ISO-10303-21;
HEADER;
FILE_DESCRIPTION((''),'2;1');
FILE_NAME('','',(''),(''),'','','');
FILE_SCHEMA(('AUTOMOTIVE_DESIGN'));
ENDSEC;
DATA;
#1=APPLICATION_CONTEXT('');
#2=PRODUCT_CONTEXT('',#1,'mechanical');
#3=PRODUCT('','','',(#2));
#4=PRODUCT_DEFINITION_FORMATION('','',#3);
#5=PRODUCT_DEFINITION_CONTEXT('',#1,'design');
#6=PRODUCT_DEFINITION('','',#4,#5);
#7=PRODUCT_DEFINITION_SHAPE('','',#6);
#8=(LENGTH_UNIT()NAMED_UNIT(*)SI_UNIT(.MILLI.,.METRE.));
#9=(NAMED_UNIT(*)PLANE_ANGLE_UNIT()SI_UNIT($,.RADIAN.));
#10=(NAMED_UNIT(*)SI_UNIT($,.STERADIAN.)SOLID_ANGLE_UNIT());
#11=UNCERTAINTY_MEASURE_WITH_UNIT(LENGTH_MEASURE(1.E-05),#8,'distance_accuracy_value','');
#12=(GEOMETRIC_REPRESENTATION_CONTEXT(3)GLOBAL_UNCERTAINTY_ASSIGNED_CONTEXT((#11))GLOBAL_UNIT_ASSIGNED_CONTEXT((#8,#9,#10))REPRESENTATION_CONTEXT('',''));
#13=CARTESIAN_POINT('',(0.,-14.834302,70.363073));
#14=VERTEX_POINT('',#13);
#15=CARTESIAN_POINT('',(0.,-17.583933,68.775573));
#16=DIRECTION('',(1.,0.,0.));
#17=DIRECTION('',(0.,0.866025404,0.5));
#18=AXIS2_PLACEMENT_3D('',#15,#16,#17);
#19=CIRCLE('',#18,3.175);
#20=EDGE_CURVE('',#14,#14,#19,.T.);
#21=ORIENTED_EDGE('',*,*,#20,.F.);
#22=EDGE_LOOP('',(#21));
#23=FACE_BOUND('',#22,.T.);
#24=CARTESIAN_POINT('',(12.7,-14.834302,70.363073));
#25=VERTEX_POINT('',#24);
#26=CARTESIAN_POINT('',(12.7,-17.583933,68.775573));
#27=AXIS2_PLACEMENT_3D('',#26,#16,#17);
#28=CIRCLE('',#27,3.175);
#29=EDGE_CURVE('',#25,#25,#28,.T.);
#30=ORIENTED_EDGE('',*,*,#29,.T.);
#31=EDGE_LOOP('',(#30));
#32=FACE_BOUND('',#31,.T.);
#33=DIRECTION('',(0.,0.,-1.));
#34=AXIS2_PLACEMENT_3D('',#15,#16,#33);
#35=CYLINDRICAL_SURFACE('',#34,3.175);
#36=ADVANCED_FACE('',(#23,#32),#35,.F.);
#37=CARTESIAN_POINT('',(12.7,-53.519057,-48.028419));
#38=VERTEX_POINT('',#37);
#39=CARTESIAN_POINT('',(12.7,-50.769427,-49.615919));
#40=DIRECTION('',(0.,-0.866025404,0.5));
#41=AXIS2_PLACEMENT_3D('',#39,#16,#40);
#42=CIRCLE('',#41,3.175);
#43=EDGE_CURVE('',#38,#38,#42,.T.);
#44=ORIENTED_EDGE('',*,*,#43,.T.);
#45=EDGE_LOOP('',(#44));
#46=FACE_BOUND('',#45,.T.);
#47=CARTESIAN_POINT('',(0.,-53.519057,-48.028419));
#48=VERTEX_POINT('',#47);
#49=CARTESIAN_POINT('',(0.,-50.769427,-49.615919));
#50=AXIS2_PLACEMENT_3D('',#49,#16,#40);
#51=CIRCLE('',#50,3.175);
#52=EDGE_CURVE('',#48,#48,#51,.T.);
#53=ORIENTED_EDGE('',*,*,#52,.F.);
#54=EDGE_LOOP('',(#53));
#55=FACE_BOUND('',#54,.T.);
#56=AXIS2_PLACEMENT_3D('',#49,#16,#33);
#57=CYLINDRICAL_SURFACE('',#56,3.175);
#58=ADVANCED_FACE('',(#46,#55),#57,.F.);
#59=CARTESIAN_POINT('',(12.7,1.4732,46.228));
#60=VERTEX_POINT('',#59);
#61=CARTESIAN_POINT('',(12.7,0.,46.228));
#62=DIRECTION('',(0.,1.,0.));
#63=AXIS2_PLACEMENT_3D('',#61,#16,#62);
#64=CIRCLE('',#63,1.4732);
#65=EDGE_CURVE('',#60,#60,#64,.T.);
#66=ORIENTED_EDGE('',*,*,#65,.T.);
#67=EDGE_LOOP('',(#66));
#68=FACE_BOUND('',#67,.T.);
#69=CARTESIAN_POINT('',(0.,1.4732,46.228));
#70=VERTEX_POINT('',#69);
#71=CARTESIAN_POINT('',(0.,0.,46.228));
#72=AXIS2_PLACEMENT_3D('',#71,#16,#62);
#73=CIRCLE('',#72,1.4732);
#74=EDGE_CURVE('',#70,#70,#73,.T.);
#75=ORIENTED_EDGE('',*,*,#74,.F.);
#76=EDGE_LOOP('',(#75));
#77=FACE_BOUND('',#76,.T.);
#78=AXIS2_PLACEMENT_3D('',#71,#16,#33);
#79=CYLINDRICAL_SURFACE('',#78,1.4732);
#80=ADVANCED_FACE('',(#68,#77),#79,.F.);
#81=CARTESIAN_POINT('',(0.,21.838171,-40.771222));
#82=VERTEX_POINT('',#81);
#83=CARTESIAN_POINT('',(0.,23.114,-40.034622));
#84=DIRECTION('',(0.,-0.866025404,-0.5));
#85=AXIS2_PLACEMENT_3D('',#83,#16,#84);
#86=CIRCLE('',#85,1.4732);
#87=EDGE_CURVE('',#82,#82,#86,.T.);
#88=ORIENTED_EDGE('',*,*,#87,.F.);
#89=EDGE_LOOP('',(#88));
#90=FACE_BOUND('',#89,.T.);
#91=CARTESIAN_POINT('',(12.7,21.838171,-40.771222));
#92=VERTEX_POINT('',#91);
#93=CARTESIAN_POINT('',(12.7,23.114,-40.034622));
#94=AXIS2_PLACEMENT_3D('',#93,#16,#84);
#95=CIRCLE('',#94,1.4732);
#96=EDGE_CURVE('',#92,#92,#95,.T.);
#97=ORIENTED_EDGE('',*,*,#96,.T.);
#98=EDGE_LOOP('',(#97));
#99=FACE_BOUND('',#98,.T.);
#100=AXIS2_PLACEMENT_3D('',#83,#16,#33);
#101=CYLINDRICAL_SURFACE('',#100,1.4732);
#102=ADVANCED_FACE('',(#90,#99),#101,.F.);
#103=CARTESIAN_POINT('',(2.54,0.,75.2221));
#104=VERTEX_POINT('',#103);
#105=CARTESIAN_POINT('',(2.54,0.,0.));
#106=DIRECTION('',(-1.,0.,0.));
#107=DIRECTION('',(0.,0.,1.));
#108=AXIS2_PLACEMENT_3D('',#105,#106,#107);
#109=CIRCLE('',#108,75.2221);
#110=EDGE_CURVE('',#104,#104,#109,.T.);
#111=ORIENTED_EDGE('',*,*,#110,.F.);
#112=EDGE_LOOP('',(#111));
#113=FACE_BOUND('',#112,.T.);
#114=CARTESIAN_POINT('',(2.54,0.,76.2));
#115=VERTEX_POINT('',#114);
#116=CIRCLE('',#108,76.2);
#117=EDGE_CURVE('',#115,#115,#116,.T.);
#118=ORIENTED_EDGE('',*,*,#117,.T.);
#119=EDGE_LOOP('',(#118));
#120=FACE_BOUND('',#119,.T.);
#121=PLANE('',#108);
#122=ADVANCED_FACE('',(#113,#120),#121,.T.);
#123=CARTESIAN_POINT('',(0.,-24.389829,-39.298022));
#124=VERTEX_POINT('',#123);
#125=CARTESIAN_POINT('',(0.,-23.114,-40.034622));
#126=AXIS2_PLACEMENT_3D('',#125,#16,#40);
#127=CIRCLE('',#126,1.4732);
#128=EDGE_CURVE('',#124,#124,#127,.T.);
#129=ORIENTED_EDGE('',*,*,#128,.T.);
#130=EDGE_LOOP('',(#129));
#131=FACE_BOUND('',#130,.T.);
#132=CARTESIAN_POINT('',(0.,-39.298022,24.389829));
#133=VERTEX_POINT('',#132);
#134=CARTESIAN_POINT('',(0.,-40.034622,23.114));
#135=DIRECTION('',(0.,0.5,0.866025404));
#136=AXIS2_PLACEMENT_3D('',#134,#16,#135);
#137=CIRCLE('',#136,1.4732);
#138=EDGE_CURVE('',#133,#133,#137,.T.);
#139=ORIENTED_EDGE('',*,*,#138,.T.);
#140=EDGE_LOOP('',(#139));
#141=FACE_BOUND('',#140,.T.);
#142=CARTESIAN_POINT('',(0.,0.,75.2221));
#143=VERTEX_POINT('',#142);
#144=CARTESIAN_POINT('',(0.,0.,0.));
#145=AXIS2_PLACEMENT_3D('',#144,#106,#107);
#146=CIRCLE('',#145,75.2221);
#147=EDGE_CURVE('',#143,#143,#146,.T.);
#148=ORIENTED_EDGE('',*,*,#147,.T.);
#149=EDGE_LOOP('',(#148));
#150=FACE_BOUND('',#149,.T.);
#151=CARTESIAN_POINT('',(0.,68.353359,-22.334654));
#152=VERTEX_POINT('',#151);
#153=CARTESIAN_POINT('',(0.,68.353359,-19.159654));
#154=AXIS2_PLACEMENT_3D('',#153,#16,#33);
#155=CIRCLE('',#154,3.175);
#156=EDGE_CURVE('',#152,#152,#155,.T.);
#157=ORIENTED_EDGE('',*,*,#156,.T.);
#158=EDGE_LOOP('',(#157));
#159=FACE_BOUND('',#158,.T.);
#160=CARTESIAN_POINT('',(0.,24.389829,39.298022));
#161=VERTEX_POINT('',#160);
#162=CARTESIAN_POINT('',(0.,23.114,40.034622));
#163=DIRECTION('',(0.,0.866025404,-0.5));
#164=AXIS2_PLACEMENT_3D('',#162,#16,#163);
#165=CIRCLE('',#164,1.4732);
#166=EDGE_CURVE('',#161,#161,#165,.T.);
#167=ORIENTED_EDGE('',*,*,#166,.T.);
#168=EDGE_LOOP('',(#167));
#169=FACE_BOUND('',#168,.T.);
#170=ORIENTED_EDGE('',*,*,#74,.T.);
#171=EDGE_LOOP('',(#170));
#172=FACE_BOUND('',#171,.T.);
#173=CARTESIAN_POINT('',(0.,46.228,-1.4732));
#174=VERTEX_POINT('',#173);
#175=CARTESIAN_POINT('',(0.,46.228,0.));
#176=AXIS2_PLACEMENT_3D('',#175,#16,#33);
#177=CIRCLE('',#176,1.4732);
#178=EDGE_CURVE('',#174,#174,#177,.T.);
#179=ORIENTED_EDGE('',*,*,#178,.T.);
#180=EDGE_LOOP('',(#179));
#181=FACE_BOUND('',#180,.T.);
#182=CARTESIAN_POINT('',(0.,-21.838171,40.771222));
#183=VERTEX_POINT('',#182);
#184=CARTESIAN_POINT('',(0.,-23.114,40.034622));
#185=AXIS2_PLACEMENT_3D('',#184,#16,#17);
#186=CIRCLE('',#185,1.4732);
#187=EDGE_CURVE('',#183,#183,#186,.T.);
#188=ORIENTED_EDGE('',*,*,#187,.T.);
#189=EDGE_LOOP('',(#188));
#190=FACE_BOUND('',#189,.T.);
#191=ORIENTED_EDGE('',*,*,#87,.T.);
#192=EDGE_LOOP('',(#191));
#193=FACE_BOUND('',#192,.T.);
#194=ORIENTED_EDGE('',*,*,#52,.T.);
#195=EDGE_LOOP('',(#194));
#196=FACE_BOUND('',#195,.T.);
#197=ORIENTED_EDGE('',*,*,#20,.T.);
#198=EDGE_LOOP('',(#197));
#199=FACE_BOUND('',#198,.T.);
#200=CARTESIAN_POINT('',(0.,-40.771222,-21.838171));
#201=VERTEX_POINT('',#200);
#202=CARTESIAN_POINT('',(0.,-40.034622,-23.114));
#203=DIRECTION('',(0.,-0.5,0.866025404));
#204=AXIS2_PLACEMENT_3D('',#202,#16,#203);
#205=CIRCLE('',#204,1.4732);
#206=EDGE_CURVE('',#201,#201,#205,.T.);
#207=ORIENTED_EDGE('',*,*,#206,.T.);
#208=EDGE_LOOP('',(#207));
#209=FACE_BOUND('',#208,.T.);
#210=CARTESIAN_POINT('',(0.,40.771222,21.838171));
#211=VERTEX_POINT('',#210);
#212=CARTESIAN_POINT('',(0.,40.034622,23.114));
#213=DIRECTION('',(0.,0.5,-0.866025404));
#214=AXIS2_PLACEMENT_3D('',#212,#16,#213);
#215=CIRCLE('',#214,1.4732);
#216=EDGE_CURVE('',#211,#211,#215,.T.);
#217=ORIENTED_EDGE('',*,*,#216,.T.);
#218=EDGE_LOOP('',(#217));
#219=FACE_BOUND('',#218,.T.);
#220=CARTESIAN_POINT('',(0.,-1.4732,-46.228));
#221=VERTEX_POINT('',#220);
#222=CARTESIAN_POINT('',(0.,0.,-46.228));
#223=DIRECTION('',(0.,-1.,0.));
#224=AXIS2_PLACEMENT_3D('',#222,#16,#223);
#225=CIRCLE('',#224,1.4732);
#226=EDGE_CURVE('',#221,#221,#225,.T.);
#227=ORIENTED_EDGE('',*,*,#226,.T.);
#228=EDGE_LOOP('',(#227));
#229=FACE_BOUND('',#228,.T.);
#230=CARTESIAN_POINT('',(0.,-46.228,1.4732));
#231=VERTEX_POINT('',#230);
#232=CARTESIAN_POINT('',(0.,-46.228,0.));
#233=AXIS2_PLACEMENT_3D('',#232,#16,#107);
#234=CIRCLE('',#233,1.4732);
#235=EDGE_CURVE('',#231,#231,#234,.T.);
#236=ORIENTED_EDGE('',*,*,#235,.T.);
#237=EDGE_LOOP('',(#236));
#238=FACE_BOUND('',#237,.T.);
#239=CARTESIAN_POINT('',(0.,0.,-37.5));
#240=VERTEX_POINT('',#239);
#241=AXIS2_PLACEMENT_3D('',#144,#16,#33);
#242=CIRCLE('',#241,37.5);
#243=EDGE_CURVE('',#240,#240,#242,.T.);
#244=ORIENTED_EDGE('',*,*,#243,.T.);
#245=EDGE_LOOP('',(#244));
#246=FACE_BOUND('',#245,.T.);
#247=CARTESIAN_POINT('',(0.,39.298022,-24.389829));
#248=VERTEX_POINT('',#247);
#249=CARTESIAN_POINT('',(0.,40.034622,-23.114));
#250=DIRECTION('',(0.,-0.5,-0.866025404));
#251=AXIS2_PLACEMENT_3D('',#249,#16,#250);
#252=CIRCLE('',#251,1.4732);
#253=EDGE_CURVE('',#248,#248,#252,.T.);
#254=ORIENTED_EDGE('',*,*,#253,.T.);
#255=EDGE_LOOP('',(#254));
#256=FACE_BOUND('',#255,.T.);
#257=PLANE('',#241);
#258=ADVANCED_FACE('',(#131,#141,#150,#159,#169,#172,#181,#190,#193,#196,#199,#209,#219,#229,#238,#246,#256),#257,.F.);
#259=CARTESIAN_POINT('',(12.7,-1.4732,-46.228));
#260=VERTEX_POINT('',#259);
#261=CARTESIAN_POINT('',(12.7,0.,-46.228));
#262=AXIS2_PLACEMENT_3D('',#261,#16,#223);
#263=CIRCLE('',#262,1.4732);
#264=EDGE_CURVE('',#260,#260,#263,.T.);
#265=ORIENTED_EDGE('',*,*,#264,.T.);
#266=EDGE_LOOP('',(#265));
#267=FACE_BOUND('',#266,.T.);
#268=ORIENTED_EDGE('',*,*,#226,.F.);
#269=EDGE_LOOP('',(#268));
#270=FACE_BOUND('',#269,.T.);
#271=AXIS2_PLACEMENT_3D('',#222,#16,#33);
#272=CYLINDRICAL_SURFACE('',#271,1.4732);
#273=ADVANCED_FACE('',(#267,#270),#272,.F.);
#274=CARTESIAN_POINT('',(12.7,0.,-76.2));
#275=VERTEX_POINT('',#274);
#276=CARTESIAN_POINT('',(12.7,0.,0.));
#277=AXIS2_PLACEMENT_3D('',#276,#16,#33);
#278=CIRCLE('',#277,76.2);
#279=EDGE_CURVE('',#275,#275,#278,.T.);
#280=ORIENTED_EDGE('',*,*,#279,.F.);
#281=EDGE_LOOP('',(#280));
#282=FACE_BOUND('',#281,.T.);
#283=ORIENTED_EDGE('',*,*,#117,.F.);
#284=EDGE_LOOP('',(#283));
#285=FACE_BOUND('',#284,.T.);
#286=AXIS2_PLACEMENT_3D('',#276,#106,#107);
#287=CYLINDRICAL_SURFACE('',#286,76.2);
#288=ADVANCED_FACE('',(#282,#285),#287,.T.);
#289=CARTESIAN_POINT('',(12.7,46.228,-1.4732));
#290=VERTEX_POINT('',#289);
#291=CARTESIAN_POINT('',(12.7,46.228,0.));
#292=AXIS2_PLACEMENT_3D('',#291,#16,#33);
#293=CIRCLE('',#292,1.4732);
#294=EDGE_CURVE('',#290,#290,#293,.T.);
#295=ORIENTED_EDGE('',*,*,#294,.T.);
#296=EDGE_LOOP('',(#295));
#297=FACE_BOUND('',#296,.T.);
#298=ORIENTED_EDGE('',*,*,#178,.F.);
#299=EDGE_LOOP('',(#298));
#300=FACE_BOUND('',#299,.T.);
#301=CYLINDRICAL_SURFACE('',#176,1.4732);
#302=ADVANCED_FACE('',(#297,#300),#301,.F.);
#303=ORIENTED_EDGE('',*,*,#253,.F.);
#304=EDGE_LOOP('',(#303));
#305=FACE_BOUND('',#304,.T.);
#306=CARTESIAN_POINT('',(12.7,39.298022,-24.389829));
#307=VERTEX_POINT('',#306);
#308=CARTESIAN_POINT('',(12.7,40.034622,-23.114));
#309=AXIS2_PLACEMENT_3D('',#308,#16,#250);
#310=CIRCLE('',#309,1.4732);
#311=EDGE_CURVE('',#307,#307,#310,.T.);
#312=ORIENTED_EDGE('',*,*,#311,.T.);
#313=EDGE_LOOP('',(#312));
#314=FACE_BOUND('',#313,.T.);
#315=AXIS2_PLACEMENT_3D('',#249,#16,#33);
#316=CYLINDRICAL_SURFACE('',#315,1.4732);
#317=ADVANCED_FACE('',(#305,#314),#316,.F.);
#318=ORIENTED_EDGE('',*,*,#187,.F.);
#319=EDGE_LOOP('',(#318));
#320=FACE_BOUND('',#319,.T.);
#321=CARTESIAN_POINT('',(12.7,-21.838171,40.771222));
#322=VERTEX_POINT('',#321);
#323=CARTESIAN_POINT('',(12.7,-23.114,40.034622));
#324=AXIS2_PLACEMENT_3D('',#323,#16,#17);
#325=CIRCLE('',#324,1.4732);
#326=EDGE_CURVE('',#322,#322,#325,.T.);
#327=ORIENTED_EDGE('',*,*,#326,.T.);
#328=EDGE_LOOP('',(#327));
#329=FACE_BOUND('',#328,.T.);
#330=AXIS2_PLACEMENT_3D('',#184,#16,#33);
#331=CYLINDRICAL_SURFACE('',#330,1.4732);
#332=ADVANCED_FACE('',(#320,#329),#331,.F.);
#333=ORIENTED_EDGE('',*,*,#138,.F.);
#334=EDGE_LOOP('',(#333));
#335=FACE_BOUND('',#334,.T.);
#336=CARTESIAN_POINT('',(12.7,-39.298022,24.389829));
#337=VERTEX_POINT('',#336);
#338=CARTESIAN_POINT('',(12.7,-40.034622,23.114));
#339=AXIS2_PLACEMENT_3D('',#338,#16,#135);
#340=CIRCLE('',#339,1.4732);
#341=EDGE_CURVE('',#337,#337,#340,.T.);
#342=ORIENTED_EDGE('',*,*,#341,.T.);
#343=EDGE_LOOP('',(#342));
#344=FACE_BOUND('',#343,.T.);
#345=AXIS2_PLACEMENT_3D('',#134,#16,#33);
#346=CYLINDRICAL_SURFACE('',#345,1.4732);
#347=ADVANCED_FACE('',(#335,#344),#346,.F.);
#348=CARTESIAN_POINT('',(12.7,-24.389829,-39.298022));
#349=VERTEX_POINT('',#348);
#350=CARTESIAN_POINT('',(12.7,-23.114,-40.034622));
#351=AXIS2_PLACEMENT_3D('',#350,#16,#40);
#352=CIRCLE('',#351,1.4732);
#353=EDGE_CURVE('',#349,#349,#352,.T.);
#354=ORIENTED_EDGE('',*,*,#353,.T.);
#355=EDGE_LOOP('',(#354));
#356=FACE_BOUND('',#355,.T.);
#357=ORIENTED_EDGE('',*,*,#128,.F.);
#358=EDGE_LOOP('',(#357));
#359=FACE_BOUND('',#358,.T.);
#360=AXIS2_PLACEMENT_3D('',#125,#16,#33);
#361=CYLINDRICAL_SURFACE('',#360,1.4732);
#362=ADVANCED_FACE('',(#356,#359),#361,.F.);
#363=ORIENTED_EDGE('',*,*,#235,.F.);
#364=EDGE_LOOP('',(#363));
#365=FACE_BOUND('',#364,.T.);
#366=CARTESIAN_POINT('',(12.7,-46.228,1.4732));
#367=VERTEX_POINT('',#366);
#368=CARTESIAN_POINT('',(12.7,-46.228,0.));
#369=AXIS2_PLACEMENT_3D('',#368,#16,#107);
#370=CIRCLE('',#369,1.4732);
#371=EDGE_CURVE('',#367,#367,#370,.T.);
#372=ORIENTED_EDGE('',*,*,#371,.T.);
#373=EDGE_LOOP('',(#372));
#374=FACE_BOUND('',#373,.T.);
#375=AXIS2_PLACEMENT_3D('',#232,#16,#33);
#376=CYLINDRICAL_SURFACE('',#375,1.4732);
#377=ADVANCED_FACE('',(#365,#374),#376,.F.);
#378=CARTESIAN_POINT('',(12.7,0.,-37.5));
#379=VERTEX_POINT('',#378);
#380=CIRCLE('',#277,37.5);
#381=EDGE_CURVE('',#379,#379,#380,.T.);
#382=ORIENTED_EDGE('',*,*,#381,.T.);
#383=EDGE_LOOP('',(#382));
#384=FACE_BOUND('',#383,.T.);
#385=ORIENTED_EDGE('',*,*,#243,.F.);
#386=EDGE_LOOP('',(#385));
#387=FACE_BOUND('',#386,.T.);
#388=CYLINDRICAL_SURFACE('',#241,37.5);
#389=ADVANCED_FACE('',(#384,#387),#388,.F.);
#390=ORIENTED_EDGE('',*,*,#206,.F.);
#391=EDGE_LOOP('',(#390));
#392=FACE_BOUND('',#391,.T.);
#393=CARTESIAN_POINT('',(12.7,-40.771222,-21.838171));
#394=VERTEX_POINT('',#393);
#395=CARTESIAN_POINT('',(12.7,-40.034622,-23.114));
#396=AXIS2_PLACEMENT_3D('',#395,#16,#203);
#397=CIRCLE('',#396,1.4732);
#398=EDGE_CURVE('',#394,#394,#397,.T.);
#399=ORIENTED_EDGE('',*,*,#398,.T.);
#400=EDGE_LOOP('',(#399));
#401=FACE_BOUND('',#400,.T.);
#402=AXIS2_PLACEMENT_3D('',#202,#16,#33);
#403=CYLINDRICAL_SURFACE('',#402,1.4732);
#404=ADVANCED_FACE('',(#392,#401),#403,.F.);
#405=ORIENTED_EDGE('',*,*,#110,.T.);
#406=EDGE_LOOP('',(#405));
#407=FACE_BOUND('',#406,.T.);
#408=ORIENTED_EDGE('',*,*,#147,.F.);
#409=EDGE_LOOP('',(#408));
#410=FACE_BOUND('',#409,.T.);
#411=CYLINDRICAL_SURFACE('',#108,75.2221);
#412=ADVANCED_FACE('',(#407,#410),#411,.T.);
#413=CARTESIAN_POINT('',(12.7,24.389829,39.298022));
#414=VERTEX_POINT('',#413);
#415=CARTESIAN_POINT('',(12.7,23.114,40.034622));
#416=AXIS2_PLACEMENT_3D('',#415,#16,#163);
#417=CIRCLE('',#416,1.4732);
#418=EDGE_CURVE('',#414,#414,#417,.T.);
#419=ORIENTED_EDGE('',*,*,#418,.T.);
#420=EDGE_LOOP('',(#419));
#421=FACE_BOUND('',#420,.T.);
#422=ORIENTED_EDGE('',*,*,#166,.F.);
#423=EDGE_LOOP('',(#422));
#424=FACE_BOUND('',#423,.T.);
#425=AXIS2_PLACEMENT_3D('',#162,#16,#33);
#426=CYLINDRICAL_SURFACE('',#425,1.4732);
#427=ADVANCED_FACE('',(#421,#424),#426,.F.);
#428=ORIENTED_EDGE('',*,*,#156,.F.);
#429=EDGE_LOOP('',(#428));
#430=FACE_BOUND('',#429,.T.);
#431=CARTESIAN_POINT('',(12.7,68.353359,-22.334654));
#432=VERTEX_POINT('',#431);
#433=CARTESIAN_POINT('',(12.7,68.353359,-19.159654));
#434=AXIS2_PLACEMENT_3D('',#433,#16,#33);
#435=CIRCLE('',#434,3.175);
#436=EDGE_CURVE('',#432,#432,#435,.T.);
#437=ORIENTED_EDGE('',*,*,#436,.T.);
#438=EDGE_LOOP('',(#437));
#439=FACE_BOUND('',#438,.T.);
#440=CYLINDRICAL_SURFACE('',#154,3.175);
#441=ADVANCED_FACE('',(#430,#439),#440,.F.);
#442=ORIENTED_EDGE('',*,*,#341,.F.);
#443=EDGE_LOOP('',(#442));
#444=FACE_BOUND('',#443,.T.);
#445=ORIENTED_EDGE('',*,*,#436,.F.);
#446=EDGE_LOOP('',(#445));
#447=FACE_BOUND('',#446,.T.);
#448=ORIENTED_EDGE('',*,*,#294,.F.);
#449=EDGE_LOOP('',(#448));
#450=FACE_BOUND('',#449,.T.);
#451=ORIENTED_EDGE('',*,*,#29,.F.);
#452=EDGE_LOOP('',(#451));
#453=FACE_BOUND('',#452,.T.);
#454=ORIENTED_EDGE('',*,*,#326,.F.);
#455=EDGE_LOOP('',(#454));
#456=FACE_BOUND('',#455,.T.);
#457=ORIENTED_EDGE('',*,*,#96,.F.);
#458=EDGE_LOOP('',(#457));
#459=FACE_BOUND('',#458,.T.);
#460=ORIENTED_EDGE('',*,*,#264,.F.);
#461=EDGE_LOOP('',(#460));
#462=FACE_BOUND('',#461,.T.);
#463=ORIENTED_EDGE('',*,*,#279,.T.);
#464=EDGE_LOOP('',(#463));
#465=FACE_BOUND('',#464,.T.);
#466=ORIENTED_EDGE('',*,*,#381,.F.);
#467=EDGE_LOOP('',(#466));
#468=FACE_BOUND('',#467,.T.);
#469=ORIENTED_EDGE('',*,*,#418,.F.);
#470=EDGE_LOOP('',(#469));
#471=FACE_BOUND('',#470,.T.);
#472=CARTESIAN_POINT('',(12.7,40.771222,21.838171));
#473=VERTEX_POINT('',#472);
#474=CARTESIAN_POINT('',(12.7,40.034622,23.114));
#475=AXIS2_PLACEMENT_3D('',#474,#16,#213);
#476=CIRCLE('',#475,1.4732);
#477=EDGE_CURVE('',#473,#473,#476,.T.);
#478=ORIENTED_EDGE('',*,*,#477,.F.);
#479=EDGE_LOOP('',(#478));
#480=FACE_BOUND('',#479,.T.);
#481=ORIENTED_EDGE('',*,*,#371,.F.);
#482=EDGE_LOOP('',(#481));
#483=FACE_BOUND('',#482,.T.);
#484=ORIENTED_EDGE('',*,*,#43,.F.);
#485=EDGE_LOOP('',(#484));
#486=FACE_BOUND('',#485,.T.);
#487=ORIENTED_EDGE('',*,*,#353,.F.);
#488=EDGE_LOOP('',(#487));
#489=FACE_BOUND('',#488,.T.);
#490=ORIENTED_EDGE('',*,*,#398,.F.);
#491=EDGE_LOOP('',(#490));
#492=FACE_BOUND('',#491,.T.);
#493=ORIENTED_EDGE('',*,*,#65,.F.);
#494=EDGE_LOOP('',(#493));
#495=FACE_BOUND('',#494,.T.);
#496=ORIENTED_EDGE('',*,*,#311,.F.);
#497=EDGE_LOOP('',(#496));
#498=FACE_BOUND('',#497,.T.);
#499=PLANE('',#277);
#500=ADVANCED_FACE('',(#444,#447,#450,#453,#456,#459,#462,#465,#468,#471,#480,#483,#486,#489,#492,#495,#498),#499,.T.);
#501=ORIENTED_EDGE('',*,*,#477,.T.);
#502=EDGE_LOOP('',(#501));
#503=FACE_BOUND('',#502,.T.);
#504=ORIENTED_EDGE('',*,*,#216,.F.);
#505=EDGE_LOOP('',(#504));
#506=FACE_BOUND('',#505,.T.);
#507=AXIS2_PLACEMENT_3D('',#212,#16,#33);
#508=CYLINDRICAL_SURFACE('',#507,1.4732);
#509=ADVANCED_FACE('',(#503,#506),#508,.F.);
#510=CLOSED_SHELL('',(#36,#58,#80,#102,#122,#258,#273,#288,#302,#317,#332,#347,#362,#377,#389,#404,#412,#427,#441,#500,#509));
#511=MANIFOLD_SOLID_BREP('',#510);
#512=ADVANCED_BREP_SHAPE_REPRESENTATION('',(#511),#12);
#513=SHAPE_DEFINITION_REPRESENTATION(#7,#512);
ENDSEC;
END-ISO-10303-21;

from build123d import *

# Parameters (mm, degrees)
SKETCH1_R           = 76.2
BOSS_EXTRUDE1_DEPTH = 12.7
SKETCH2_R           = 37.5
CUT_EXTRUDE1_DEPTH  = 109.508847566
SKETCH8_R           = 1.4732
CUT_EXTRUDE3_DEPTH  = 109.508847566
CIRPATTERN6_COUNT   = 12
SKETCH11_R          = 3.175
CUT_EXTRUDE4_DEPTH  = 109.508847566
CIRPATTERN7_COUNT   = 3
SKETCH13_OUTSIDE_W  = 197.58
SKETCH13_OUTSIDE_H  = 197.58
SKETCH13_OUTSIDE_R  = 75.2221
CUT_EXTRUDE5_DEPTH  = 2.54


with BuildPart() as part:
    # Sketch1 → Boss-Extrude1 (new body)
    with BuildSketch(Plane(origin=(0, 0, 0), x_dir=(0, 0, -1), z_dir=(1, 0, 0))):
        Circle(SKETCH1_R)
    extrude(amount=BOSS_EXTRUDE1_DEPTH)

    # Sketch2 → Cut-Extrude1 (cut, through all)
    with BuildSketch(Plane(origin=(12.7, 0, 0), x_dir=(0, 0, -1), z_dir=(1, 0, 0))):
        Circle(SKETCH2_R)
    extrude(amount=-CUT_EXTRUDE1_DEPTH, mode=Mode.SUBTRACT)

    # Sketch8 → Cut-Extrude3 (cut, through all)
    with BuildSketch(Plane(origin=(12.7, 0, 0), x_dir=(0, 0, -1), z_dir=(1, 0, 0))):
        with Locations((0, 46.228)):
            Circle(SKETCH8_R)
    cut_extrude3 = extrude(amount=-CUT_EXTRUDE3_DEPTH, mode=Mode.SUBTRACT)

    # CirPattern6: Cut-Extrude3 ×12 about axis
    cirpattern6_axis = Axis((0, 0, 0), (1, 0, 0))
    for i in range(1, CIRPATTERN6_COUNT):
        add(cut_extrude3.rotate(cirpattern6_axis, i * 360 / CIRPATTERN6_COUNT), mode=Mode.SUBTRACT)

    # Sketch11 → Cut-Extrude4 (cut, through all)
    with BuildSketch(Plane(origin=(12.7, 0, 0), x_dir=(0, 0, -1), z_dir=(1, 0, 0))):
        with Locations((19.159653756, 68.353359348)):
            Circle(SKETCH11_R)
    cut_extrude4 = extrude(amount=-CUT_EXTRUDE4_DEPTH, mode=Mode.SUBTRACT)

    # CirPattern7: Cut-Extrude4 ×3 about axis
    cirpattern7_axis = Axis((0, 0, 0), (1, 0, 0))
    for i in range(1, CIRPATTERN7_COUNT):
        add(cut_extrude4.rotate(cirpattern7_axis, i * 360 / CIRPATTERN7_COUNT), mode=Mode.SUBTRACT)

    # Sketch13 outside → Cut-Extrude5 (cut)
    with BuildSketch(Plane.ZY):
        Rectangle(SKETCH13_OUTSIDE_W, SKETCH13_OUTSIDE_H)
        Circle(SKETCH13_OUTSIDE_R, mode=Mode.SUBTRACT)
    extrude(amount=-CUT_EXTRUDE5_DEPTH, mode=Mode.SUBTRACT)


solid = part.part
